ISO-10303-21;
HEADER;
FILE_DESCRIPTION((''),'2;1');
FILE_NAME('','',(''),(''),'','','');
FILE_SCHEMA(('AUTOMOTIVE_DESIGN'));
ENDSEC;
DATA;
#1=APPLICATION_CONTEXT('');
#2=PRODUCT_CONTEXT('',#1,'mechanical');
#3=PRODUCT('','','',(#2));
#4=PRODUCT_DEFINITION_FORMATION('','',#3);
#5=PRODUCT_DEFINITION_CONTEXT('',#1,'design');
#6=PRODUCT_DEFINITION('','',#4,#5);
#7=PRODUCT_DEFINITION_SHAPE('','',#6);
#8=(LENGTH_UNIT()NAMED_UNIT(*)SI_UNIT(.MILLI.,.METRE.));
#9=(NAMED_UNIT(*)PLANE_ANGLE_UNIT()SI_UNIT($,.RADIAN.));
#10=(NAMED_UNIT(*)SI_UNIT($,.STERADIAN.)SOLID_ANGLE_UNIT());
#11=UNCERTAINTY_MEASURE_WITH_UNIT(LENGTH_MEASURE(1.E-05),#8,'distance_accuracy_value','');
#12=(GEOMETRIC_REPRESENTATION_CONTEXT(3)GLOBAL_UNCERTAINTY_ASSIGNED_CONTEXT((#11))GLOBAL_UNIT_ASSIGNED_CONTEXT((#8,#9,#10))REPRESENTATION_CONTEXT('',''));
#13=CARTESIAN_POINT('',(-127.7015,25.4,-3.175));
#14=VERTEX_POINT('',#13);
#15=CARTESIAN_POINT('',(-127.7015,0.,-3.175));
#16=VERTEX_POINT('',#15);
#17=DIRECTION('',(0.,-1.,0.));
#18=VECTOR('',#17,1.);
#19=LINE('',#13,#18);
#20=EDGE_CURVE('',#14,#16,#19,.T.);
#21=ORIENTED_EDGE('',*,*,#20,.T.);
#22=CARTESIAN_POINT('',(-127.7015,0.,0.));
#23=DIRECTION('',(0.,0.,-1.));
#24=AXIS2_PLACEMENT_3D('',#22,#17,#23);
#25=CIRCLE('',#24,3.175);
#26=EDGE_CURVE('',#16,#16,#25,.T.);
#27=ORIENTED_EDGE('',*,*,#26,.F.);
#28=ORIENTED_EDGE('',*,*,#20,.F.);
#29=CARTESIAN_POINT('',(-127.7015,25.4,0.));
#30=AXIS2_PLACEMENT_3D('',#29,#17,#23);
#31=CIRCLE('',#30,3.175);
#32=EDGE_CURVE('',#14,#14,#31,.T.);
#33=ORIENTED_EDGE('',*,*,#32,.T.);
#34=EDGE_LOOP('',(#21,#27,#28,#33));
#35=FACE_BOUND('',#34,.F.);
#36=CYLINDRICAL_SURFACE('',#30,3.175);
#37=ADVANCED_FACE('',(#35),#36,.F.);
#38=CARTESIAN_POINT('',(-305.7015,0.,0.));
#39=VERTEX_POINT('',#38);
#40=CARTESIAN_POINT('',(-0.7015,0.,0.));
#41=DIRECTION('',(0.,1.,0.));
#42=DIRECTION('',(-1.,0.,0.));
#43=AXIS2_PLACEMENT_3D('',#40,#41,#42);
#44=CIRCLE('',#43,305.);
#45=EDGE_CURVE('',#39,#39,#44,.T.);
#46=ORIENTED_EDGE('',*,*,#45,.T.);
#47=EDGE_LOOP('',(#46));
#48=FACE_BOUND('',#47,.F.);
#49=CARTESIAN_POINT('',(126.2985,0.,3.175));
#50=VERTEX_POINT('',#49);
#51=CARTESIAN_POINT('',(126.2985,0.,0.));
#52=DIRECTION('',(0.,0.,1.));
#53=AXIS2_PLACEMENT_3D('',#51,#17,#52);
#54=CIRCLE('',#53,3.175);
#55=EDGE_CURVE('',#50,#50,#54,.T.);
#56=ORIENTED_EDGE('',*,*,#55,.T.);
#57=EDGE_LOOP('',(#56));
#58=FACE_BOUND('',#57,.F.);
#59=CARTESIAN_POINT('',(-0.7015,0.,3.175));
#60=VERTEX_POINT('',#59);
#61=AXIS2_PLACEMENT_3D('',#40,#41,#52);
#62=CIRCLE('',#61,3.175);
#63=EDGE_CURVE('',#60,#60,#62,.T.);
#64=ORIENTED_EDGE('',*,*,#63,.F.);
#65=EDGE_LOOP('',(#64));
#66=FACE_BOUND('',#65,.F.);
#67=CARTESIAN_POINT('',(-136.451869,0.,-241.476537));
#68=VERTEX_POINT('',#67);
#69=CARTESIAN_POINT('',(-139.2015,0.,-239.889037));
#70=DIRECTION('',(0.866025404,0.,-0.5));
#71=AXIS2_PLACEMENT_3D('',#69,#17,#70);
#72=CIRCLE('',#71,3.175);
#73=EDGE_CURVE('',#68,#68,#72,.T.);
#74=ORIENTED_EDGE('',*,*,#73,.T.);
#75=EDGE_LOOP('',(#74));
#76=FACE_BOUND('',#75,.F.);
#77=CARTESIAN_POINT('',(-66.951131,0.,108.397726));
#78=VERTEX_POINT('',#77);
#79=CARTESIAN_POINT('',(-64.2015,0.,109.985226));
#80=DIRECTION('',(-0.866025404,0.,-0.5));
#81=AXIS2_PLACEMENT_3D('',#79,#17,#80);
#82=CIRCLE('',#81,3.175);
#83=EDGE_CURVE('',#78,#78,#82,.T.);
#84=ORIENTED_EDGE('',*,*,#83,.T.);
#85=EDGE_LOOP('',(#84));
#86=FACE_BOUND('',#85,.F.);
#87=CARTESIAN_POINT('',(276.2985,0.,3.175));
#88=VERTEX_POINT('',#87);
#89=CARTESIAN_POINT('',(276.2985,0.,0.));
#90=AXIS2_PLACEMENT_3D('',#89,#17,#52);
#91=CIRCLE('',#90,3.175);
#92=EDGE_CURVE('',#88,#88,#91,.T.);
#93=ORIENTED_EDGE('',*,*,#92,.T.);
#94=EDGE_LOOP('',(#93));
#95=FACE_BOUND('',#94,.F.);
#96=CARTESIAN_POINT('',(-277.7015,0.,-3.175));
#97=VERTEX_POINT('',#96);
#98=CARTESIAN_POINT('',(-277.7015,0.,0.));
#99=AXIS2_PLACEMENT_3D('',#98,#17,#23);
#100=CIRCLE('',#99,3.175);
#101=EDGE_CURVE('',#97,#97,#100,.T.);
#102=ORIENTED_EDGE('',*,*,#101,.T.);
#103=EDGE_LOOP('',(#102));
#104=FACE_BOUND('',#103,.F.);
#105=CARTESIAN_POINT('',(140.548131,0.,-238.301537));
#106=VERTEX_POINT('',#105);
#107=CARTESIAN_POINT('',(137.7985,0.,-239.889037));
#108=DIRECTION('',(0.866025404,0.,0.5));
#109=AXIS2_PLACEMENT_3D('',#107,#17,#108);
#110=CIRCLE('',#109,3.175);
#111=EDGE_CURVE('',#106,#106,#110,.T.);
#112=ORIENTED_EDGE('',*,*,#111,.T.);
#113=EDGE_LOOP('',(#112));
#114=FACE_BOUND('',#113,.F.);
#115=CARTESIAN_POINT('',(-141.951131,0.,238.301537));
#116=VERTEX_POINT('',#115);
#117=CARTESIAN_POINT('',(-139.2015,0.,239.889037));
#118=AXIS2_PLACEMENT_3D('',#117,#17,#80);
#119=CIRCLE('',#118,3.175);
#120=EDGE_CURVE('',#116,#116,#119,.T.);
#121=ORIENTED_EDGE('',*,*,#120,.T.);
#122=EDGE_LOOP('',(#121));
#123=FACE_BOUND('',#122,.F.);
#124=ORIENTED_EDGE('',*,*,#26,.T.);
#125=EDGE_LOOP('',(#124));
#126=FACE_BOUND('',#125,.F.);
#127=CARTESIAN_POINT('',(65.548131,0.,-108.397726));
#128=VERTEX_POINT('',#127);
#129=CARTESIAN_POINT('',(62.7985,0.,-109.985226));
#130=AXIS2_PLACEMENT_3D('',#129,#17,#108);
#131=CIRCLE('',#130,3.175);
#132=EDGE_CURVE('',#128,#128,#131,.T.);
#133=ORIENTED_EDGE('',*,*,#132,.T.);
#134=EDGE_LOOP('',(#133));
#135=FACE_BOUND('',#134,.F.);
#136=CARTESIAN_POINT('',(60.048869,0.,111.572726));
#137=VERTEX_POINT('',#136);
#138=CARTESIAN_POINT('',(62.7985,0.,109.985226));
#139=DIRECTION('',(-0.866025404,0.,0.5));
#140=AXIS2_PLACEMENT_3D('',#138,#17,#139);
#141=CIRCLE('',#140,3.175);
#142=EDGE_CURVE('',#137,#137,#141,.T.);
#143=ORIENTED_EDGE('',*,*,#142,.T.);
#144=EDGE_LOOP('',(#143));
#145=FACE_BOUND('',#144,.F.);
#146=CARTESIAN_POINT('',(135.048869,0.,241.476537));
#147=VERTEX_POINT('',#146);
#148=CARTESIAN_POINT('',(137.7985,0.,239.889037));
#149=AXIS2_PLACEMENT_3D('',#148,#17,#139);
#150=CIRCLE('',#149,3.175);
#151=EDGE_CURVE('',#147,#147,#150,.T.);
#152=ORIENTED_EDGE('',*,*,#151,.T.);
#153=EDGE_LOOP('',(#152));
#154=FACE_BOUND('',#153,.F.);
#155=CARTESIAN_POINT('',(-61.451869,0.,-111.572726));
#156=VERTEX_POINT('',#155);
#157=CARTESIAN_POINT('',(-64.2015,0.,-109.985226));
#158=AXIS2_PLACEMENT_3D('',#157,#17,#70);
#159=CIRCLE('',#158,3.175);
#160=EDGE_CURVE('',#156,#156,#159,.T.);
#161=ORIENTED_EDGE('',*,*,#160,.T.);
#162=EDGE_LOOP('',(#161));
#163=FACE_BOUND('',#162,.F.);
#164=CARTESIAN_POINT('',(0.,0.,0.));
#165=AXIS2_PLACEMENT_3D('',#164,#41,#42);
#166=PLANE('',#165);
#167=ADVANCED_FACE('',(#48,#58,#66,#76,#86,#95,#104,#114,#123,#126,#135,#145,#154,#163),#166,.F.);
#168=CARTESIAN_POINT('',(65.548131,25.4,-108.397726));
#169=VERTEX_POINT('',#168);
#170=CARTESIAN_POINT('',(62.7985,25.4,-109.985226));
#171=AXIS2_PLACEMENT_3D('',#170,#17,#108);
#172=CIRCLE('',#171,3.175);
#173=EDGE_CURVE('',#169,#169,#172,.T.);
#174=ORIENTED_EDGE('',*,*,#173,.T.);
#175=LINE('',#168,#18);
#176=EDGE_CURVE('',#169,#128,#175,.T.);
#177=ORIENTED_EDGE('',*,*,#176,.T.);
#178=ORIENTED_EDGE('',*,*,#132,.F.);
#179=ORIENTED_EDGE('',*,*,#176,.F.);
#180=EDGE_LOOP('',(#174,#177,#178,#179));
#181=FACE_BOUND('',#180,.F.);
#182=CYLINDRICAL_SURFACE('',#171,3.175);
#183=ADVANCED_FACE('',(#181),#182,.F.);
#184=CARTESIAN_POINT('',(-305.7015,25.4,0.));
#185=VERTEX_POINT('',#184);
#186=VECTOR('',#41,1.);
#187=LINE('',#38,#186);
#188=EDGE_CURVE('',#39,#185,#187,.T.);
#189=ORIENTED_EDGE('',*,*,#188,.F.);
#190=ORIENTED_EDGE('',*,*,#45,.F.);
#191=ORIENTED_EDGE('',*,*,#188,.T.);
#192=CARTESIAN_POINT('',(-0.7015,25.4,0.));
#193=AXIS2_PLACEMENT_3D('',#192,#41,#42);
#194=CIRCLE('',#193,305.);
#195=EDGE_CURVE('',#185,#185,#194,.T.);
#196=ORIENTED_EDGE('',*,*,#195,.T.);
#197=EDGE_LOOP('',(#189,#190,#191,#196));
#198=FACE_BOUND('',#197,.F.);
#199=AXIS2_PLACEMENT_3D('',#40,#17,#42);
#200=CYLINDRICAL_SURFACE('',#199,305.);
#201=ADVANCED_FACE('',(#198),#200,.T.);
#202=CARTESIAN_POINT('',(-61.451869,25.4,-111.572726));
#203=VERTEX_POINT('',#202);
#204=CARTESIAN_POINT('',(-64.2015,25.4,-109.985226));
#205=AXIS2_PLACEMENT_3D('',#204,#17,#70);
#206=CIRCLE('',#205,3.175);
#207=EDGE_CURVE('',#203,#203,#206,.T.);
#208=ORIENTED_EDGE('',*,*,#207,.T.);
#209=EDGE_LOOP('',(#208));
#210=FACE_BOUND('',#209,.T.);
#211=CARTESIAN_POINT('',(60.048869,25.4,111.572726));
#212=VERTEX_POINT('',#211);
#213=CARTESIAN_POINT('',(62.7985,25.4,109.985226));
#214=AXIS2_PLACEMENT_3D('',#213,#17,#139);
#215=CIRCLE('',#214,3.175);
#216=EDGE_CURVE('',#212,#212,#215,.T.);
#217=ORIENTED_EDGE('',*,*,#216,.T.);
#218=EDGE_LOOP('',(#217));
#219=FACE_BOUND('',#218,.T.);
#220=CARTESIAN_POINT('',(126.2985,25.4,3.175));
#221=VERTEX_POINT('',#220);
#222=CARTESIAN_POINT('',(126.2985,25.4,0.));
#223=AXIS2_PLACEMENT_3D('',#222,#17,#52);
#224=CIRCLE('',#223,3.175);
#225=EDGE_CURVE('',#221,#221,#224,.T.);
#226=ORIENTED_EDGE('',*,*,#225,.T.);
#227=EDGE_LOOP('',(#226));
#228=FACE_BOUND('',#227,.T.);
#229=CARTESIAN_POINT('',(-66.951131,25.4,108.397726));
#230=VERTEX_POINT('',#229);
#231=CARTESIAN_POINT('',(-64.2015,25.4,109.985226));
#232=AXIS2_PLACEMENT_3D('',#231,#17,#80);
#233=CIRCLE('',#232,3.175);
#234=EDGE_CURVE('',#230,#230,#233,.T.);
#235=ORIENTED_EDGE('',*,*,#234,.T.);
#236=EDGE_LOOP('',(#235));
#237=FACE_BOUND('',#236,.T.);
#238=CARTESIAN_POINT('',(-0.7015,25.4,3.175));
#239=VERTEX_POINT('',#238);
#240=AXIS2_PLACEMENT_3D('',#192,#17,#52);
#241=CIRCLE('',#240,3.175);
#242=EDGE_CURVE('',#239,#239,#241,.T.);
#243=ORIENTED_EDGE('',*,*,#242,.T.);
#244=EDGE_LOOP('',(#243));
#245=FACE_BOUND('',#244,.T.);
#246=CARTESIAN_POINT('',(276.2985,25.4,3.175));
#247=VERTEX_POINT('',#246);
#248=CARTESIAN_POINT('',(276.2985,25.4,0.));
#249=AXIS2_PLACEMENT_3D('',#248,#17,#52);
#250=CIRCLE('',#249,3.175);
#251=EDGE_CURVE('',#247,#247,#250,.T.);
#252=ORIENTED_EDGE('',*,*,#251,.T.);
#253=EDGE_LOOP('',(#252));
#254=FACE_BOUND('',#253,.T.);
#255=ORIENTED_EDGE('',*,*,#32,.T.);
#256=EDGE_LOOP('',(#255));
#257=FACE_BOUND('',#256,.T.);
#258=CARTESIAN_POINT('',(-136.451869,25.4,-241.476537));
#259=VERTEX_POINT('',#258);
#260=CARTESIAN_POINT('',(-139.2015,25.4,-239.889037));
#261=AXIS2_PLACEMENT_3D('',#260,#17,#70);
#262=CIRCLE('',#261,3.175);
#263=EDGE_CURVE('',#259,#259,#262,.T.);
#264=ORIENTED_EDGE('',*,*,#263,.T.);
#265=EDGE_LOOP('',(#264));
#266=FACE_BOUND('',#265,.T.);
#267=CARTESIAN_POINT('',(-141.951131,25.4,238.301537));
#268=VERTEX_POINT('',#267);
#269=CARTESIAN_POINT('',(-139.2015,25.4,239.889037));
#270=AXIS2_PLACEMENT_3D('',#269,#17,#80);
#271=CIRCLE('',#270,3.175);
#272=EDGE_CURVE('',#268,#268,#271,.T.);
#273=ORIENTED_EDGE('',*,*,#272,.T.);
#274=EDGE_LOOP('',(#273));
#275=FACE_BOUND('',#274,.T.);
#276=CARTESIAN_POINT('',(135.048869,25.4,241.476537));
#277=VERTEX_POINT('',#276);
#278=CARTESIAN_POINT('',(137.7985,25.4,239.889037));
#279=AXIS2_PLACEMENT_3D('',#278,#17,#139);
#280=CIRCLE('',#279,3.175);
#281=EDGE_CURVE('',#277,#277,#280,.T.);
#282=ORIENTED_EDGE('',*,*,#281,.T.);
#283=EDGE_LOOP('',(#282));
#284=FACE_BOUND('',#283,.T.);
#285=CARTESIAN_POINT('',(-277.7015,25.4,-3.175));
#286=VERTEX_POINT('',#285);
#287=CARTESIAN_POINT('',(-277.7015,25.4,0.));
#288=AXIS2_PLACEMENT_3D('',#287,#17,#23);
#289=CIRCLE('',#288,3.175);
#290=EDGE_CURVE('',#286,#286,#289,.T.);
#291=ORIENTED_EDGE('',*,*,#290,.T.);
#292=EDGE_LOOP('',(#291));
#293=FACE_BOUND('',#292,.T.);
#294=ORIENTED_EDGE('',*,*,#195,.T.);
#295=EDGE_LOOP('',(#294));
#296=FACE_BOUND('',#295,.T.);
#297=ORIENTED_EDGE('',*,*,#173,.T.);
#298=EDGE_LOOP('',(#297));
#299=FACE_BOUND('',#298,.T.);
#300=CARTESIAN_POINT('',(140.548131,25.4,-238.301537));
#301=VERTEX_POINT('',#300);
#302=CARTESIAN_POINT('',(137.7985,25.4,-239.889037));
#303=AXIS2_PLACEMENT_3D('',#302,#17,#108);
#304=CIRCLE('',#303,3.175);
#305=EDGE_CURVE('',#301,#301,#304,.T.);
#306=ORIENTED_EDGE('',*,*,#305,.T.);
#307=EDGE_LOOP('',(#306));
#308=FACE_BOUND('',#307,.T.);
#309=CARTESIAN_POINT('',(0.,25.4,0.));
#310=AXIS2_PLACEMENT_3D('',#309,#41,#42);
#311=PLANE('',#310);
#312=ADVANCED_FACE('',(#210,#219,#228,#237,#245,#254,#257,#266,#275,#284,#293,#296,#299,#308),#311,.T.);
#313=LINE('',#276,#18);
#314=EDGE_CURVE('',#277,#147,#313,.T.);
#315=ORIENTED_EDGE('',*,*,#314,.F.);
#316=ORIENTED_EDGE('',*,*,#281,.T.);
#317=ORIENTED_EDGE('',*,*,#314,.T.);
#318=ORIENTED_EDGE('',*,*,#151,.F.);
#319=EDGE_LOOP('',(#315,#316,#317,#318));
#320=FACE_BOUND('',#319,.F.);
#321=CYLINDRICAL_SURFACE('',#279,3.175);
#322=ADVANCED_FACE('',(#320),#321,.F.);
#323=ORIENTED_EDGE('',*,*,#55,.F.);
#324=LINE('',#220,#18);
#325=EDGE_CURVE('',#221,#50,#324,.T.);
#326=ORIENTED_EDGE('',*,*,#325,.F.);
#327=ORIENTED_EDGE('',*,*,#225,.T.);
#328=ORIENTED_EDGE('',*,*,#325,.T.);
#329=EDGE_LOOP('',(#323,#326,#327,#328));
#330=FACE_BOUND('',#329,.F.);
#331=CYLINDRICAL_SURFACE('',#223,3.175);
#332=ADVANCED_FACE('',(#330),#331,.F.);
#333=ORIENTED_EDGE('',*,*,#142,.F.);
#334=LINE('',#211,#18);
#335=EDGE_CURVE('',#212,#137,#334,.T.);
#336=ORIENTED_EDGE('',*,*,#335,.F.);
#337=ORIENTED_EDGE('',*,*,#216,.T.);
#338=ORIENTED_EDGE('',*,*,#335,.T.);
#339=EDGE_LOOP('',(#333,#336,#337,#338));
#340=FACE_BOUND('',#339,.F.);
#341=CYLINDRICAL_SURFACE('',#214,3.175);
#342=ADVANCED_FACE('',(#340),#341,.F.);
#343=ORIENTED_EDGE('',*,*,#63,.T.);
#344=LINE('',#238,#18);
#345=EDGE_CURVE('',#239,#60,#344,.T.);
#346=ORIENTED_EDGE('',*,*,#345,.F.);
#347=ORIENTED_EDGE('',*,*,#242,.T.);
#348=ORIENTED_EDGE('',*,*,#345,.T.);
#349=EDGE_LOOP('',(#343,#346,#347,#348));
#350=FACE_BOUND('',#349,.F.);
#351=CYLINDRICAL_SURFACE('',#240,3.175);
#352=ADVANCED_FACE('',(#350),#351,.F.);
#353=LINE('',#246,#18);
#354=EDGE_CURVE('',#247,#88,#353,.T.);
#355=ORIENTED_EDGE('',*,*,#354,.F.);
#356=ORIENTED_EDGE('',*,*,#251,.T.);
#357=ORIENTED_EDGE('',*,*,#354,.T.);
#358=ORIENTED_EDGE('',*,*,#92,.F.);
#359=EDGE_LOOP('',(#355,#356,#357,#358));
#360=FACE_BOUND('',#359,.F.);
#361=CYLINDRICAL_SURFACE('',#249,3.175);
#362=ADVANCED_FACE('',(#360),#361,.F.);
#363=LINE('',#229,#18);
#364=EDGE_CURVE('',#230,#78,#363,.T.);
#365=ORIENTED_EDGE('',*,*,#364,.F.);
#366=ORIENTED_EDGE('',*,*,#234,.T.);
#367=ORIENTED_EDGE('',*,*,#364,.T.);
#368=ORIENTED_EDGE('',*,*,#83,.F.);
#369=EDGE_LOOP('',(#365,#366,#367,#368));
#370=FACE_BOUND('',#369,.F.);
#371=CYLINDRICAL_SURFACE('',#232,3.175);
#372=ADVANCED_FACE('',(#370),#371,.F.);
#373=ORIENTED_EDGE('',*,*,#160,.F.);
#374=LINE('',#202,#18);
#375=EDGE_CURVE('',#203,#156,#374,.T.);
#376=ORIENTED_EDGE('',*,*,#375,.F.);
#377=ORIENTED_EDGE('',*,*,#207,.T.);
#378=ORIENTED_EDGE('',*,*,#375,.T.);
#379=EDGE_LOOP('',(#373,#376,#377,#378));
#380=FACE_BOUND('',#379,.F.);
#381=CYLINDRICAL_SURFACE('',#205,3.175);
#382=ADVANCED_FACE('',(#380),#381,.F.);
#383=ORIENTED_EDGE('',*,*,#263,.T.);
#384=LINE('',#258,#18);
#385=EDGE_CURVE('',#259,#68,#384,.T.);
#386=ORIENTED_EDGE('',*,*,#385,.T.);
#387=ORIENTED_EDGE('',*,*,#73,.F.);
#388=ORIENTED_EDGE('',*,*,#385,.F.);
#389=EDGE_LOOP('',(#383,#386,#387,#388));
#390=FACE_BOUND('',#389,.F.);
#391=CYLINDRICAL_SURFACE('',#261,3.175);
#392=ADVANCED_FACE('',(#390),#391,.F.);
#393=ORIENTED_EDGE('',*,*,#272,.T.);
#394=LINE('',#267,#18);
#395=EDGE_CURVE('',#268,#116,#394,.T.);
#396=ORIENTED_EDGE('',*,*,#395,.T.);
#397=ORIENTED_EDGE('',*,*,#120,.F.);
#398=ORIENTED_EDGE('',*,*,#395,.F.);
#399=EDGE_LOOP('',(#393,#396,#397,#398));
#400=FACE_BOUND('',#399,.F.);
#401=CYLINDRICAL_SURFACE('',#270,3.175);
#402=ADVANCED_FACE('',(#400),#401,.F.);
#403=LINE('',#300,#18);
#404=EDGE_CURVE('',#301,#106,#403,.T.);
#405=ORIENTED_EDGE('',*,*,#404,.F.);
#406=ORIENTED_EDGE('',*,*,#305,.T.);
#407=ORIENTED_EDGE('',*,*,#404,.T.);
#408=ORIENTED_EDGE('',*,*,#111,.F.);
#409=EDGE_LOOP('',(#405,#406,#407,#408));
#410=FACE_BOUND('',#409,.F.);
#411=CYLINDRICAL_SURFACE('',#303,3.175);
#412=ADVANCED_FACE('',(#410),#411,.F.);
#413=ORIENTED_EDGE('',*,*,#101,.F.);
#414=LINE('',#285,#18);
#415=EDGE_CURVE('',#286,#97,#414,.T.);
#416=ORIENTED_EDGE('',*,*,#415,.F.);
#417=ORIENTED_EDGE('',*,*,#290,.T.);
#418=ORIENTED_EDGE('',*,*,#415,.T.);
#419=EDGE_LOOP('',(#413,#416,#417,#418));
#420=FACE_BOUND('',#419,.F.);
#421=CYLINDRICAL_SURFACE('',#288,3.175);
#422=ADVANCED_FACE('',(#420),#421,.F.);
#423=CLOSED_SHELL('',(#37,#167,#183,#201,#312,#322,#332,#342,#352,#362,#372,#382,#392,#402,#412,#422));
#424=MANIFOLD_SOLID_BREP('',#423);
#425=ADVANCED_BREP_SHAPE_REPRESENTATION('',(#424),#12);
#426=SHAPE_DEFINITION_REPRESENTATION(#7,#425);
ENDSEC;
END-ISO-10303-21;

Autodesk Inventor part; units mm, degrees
ref_plane "YZ Plane" through (0, 0, 0) normal (1, 0, 0) x (0, 1, 0)
ref_plane "XZ Plane" through (0, 0, 0) normal (0, 1, 0) x (-1, 0, 0)
ref_plane "XY Plane" through (0, 0, 0) normal (0, 0, 1) x (1, 0, 0)
sketch "Sketch1" plane through (0, 0, 0) normal (0, 1, 0) x (-1, 0, 0)
  circle A0 centre (0.7015, 0) radius 305
  point P0 (0, 0)
  dimension "d0" = 610
extrude "Extrusion1" add sketch "Sketch1" along normal blind 25.4
sketch "Sketch2" plane through (-0.7015, 25.4, 0) normal (0, 1, 0) x (1, 0, 0)
  circle A0 centre (0, 0) radius 305 projected
  circle A1 centre (0, 0) radius 4.5
  circle A2 centre (127, 0) radius 4.5
  circle A3 centre (277, 0) radius 4.5
  dimension "d3" = 127
  dimension "d4" = 150
  dimension "d15" = 9
  dimension "d16" = 9
  dimension "d17" = 9
hole "Hole1" at (-0.7015, 25.4, 0) at (126.2985, 25.4, 0) at (276.2985, 25.4, 0) direction (0, -1, 0) diameter 6.35 end through all
pattern_circular "Circular Pattern1" count 6 over 360 about axis through (-0.7015, -837.6441, 0) along (0, 1, 0) of "Hole1"
properties part number "bpSparJig" material "Wood (Cherry)"
